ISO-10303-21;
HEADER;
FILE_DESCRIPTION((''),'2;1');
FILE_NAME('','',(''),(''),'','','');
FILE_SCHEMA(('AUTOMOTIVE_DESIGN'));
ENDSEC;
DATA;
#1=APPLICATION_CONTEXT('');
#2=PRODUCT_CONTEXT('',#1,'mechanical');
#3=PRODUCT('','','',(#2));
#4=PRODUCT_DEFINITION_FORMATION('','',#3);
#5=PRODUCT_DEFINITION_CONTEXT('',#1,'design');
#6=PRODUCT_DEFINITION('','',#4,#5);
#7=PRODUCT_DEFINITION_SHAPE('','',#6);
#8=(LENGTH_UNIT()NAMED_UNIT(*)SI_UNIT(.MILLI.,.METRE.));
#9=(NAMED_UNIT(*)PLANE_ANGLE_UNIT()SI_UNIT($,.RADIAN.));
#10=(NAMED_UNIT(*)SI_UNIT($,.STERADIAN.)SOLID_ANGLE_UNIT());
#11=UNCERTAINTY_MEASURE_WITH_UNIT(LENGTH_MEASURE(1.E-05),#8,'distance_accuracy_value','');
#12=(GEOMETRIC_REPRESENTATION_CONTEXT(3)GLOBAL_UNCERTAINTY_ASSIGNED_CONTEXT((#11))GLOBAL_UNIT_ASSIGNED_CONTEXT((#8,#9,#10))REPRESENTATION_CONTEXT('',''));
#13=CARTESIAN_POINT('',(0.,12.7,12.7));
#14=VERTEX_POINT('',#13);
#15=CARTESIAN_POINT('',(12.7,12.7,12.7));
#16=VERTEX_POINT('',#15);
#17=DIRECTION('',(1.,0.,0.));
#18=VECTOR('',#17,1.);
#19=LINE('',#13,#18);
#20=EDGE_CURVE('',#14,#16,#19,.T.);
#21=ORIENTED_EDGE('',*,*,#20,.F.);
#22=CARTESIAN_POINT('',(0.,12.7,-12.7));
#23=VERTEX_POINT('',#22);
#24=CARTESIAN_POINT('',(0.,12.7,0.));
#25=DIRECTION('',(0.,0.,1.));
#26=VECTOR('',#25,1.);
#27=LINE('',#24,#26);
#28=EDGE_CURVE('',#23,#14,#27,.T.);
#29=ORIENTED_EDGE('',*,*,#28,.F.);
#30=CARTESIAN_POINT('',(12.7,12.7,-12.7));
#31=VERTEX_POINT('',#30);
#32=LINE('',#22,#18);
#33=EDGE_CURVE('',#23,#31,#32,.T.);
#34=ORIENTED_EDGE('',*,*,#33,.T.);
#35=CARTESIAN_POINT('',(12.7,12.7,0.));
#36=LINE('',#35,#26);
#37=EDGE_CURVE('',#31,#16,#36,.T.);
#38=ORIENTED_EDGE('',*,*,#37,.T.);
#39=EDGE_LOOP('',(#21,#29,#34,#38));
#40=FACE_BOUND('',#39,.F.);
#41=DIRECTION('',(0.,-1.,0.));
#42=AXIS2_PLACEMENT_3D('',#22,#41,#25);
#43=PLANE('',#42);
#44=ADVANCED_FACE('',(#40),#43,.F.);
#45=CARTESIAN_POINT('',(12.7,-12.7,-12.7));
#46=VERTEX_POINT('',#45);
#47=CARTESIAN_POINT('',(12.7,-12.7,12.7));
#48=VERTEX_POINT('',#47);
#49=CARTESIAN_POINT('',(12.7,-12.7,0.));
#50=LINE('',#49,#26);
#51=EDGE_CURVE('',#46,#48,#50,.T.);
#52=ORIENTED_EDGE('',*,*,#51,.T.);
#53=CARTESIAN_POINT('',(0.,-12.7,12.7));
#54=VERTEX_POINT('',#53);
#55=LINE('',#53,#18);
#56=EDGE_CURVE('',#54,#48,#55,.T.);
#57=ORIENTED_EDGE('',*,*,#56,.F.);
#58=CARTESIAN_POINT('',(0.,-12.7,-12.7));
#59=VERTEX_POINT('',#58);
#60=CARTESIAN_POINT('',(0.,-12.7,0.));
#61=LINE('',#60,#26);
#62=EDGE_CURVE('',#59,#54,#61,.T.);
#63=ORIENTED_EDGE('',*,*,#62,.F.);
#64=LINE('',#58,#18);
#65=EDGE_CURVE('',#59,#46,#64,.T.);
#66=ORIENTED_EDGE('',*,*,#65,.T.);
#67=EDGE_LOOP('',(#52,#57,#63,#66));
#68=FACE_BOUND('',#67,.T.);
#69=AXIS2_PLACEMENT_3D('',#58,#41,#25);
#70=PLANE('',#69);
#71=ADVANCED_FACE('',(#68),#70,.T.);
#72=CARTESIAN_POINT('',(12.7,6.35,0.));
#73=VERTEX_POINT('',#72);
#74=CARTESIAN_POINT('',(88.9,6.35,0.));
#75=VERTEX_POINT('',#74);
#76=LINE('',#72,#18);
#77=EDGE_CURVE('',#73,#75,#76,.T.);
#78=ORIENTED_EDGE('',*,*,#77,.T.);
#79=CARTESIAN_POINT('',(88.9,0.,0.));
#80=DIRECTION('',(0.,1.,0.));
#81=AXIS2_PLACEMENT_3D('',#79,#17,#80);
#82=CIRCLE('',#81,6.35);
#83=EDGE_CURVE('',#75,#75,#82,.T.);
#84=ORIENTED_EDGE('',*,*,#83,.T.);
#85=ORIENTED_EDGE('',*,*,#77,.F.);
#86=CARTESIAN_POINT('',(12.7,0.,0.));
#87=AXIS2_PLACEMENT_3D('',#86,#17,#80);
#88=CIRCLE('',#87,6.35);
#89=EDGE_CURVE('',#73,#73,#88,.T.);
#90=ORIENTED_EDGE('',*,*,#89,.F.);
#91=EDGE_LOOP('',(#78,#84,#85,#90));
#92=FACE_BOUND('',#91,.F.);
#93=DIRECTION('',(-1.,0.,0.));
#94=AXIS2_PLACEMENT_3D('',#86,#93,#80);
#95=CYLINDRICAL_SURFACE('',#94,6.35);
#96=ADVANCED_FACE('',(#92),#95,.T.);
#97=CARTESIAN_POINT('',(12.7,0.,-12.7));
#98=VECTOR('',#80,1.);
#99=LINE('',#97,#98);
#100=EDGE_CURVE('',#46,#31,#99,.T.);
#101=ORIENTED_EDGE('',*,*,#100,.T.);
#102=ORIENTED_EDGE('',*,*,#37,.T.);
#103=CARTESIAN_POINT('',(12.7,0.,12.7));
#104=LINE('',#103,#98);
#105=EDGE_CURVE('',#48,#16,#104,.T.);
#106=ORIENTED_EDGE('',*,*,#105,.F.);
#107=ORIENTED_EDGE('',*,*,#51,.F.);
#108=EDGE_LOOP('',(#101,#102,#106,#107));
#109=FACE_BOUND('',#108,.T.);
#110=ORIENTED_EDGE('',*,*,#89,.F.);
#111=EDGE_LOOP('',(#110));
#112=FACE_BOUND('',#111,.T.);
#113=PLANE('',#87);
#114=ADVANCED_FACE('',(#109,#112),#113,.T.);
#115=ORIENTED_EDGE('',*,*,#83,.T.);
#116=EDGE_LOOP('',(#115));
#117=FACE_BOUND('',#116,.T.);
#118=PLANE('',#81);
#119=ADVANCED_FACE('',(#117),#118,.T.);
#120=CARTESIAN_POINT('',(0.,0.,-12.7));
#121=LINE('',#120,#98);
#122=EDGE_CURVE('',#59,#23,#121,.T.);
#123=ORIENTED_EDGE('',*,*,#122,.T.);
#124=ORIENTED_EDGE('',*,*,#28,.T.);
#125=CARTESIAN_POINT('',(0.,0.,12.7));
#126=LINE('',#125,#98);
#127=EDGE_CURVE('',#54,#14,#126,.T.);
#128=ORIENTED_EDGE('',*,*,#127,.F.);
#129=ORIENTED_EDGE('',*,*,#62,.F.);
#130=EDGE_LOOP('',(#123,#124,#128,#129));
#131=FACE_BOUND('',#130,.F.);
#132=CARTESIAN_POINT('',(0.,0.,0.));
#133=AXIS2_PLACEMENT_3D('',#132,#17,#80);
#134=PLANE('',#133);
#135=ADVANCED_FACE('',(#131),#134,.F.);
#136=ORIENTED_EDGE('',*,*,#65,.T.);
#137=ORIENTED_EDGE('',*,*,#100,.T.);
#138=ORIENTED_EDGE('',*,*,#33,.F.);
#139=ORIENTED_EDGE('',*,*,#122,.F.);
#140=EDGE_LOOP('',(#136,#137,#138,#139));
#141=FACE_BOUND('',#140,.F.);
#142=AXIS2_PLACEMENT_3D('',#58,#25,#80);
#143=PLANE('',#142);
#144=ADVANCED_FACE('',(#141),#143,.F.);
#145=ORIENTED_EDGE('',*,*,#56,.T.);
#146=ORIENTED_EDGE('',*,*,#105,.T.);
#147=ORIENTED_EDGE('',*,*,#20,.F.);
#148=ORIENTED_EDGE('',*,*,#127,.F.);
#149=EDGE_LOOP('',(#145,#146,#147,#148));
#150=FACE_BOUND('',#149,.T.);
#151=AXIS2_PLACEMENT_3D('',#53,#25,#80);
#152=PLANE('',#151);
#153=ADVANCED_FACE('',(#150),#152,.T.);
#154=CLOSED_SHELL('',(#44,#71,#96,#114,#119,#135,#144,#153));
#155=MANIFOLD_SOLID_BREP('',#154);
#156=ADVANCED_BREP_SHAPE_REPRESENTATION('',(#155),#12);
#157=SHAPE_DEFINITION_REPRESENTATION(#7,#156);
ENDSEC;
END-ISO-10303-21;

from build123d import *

# Parameters (mm, degrees)
F0_W     = 25.4
F0_H     = 25.4
F1_DEPTH = 12.7
F2_R     = 6.35
F3_DEPTH = 76.2


with BuildPart() as f1:
    # F0 (on Right) → F1 (new body)
    with BuildSketch(Plane.YZ):
        Rectangle(F0_W, F0_H)
    extrude(amount=F1_DEPTH)

    # F2 (on face) → F3 (join)
    with BuildSketch(Plane.YZ.offset(12.7)):
        Circle(F2_R)
    extrude(amount=F3_DEPTH)


solid = f1.part
